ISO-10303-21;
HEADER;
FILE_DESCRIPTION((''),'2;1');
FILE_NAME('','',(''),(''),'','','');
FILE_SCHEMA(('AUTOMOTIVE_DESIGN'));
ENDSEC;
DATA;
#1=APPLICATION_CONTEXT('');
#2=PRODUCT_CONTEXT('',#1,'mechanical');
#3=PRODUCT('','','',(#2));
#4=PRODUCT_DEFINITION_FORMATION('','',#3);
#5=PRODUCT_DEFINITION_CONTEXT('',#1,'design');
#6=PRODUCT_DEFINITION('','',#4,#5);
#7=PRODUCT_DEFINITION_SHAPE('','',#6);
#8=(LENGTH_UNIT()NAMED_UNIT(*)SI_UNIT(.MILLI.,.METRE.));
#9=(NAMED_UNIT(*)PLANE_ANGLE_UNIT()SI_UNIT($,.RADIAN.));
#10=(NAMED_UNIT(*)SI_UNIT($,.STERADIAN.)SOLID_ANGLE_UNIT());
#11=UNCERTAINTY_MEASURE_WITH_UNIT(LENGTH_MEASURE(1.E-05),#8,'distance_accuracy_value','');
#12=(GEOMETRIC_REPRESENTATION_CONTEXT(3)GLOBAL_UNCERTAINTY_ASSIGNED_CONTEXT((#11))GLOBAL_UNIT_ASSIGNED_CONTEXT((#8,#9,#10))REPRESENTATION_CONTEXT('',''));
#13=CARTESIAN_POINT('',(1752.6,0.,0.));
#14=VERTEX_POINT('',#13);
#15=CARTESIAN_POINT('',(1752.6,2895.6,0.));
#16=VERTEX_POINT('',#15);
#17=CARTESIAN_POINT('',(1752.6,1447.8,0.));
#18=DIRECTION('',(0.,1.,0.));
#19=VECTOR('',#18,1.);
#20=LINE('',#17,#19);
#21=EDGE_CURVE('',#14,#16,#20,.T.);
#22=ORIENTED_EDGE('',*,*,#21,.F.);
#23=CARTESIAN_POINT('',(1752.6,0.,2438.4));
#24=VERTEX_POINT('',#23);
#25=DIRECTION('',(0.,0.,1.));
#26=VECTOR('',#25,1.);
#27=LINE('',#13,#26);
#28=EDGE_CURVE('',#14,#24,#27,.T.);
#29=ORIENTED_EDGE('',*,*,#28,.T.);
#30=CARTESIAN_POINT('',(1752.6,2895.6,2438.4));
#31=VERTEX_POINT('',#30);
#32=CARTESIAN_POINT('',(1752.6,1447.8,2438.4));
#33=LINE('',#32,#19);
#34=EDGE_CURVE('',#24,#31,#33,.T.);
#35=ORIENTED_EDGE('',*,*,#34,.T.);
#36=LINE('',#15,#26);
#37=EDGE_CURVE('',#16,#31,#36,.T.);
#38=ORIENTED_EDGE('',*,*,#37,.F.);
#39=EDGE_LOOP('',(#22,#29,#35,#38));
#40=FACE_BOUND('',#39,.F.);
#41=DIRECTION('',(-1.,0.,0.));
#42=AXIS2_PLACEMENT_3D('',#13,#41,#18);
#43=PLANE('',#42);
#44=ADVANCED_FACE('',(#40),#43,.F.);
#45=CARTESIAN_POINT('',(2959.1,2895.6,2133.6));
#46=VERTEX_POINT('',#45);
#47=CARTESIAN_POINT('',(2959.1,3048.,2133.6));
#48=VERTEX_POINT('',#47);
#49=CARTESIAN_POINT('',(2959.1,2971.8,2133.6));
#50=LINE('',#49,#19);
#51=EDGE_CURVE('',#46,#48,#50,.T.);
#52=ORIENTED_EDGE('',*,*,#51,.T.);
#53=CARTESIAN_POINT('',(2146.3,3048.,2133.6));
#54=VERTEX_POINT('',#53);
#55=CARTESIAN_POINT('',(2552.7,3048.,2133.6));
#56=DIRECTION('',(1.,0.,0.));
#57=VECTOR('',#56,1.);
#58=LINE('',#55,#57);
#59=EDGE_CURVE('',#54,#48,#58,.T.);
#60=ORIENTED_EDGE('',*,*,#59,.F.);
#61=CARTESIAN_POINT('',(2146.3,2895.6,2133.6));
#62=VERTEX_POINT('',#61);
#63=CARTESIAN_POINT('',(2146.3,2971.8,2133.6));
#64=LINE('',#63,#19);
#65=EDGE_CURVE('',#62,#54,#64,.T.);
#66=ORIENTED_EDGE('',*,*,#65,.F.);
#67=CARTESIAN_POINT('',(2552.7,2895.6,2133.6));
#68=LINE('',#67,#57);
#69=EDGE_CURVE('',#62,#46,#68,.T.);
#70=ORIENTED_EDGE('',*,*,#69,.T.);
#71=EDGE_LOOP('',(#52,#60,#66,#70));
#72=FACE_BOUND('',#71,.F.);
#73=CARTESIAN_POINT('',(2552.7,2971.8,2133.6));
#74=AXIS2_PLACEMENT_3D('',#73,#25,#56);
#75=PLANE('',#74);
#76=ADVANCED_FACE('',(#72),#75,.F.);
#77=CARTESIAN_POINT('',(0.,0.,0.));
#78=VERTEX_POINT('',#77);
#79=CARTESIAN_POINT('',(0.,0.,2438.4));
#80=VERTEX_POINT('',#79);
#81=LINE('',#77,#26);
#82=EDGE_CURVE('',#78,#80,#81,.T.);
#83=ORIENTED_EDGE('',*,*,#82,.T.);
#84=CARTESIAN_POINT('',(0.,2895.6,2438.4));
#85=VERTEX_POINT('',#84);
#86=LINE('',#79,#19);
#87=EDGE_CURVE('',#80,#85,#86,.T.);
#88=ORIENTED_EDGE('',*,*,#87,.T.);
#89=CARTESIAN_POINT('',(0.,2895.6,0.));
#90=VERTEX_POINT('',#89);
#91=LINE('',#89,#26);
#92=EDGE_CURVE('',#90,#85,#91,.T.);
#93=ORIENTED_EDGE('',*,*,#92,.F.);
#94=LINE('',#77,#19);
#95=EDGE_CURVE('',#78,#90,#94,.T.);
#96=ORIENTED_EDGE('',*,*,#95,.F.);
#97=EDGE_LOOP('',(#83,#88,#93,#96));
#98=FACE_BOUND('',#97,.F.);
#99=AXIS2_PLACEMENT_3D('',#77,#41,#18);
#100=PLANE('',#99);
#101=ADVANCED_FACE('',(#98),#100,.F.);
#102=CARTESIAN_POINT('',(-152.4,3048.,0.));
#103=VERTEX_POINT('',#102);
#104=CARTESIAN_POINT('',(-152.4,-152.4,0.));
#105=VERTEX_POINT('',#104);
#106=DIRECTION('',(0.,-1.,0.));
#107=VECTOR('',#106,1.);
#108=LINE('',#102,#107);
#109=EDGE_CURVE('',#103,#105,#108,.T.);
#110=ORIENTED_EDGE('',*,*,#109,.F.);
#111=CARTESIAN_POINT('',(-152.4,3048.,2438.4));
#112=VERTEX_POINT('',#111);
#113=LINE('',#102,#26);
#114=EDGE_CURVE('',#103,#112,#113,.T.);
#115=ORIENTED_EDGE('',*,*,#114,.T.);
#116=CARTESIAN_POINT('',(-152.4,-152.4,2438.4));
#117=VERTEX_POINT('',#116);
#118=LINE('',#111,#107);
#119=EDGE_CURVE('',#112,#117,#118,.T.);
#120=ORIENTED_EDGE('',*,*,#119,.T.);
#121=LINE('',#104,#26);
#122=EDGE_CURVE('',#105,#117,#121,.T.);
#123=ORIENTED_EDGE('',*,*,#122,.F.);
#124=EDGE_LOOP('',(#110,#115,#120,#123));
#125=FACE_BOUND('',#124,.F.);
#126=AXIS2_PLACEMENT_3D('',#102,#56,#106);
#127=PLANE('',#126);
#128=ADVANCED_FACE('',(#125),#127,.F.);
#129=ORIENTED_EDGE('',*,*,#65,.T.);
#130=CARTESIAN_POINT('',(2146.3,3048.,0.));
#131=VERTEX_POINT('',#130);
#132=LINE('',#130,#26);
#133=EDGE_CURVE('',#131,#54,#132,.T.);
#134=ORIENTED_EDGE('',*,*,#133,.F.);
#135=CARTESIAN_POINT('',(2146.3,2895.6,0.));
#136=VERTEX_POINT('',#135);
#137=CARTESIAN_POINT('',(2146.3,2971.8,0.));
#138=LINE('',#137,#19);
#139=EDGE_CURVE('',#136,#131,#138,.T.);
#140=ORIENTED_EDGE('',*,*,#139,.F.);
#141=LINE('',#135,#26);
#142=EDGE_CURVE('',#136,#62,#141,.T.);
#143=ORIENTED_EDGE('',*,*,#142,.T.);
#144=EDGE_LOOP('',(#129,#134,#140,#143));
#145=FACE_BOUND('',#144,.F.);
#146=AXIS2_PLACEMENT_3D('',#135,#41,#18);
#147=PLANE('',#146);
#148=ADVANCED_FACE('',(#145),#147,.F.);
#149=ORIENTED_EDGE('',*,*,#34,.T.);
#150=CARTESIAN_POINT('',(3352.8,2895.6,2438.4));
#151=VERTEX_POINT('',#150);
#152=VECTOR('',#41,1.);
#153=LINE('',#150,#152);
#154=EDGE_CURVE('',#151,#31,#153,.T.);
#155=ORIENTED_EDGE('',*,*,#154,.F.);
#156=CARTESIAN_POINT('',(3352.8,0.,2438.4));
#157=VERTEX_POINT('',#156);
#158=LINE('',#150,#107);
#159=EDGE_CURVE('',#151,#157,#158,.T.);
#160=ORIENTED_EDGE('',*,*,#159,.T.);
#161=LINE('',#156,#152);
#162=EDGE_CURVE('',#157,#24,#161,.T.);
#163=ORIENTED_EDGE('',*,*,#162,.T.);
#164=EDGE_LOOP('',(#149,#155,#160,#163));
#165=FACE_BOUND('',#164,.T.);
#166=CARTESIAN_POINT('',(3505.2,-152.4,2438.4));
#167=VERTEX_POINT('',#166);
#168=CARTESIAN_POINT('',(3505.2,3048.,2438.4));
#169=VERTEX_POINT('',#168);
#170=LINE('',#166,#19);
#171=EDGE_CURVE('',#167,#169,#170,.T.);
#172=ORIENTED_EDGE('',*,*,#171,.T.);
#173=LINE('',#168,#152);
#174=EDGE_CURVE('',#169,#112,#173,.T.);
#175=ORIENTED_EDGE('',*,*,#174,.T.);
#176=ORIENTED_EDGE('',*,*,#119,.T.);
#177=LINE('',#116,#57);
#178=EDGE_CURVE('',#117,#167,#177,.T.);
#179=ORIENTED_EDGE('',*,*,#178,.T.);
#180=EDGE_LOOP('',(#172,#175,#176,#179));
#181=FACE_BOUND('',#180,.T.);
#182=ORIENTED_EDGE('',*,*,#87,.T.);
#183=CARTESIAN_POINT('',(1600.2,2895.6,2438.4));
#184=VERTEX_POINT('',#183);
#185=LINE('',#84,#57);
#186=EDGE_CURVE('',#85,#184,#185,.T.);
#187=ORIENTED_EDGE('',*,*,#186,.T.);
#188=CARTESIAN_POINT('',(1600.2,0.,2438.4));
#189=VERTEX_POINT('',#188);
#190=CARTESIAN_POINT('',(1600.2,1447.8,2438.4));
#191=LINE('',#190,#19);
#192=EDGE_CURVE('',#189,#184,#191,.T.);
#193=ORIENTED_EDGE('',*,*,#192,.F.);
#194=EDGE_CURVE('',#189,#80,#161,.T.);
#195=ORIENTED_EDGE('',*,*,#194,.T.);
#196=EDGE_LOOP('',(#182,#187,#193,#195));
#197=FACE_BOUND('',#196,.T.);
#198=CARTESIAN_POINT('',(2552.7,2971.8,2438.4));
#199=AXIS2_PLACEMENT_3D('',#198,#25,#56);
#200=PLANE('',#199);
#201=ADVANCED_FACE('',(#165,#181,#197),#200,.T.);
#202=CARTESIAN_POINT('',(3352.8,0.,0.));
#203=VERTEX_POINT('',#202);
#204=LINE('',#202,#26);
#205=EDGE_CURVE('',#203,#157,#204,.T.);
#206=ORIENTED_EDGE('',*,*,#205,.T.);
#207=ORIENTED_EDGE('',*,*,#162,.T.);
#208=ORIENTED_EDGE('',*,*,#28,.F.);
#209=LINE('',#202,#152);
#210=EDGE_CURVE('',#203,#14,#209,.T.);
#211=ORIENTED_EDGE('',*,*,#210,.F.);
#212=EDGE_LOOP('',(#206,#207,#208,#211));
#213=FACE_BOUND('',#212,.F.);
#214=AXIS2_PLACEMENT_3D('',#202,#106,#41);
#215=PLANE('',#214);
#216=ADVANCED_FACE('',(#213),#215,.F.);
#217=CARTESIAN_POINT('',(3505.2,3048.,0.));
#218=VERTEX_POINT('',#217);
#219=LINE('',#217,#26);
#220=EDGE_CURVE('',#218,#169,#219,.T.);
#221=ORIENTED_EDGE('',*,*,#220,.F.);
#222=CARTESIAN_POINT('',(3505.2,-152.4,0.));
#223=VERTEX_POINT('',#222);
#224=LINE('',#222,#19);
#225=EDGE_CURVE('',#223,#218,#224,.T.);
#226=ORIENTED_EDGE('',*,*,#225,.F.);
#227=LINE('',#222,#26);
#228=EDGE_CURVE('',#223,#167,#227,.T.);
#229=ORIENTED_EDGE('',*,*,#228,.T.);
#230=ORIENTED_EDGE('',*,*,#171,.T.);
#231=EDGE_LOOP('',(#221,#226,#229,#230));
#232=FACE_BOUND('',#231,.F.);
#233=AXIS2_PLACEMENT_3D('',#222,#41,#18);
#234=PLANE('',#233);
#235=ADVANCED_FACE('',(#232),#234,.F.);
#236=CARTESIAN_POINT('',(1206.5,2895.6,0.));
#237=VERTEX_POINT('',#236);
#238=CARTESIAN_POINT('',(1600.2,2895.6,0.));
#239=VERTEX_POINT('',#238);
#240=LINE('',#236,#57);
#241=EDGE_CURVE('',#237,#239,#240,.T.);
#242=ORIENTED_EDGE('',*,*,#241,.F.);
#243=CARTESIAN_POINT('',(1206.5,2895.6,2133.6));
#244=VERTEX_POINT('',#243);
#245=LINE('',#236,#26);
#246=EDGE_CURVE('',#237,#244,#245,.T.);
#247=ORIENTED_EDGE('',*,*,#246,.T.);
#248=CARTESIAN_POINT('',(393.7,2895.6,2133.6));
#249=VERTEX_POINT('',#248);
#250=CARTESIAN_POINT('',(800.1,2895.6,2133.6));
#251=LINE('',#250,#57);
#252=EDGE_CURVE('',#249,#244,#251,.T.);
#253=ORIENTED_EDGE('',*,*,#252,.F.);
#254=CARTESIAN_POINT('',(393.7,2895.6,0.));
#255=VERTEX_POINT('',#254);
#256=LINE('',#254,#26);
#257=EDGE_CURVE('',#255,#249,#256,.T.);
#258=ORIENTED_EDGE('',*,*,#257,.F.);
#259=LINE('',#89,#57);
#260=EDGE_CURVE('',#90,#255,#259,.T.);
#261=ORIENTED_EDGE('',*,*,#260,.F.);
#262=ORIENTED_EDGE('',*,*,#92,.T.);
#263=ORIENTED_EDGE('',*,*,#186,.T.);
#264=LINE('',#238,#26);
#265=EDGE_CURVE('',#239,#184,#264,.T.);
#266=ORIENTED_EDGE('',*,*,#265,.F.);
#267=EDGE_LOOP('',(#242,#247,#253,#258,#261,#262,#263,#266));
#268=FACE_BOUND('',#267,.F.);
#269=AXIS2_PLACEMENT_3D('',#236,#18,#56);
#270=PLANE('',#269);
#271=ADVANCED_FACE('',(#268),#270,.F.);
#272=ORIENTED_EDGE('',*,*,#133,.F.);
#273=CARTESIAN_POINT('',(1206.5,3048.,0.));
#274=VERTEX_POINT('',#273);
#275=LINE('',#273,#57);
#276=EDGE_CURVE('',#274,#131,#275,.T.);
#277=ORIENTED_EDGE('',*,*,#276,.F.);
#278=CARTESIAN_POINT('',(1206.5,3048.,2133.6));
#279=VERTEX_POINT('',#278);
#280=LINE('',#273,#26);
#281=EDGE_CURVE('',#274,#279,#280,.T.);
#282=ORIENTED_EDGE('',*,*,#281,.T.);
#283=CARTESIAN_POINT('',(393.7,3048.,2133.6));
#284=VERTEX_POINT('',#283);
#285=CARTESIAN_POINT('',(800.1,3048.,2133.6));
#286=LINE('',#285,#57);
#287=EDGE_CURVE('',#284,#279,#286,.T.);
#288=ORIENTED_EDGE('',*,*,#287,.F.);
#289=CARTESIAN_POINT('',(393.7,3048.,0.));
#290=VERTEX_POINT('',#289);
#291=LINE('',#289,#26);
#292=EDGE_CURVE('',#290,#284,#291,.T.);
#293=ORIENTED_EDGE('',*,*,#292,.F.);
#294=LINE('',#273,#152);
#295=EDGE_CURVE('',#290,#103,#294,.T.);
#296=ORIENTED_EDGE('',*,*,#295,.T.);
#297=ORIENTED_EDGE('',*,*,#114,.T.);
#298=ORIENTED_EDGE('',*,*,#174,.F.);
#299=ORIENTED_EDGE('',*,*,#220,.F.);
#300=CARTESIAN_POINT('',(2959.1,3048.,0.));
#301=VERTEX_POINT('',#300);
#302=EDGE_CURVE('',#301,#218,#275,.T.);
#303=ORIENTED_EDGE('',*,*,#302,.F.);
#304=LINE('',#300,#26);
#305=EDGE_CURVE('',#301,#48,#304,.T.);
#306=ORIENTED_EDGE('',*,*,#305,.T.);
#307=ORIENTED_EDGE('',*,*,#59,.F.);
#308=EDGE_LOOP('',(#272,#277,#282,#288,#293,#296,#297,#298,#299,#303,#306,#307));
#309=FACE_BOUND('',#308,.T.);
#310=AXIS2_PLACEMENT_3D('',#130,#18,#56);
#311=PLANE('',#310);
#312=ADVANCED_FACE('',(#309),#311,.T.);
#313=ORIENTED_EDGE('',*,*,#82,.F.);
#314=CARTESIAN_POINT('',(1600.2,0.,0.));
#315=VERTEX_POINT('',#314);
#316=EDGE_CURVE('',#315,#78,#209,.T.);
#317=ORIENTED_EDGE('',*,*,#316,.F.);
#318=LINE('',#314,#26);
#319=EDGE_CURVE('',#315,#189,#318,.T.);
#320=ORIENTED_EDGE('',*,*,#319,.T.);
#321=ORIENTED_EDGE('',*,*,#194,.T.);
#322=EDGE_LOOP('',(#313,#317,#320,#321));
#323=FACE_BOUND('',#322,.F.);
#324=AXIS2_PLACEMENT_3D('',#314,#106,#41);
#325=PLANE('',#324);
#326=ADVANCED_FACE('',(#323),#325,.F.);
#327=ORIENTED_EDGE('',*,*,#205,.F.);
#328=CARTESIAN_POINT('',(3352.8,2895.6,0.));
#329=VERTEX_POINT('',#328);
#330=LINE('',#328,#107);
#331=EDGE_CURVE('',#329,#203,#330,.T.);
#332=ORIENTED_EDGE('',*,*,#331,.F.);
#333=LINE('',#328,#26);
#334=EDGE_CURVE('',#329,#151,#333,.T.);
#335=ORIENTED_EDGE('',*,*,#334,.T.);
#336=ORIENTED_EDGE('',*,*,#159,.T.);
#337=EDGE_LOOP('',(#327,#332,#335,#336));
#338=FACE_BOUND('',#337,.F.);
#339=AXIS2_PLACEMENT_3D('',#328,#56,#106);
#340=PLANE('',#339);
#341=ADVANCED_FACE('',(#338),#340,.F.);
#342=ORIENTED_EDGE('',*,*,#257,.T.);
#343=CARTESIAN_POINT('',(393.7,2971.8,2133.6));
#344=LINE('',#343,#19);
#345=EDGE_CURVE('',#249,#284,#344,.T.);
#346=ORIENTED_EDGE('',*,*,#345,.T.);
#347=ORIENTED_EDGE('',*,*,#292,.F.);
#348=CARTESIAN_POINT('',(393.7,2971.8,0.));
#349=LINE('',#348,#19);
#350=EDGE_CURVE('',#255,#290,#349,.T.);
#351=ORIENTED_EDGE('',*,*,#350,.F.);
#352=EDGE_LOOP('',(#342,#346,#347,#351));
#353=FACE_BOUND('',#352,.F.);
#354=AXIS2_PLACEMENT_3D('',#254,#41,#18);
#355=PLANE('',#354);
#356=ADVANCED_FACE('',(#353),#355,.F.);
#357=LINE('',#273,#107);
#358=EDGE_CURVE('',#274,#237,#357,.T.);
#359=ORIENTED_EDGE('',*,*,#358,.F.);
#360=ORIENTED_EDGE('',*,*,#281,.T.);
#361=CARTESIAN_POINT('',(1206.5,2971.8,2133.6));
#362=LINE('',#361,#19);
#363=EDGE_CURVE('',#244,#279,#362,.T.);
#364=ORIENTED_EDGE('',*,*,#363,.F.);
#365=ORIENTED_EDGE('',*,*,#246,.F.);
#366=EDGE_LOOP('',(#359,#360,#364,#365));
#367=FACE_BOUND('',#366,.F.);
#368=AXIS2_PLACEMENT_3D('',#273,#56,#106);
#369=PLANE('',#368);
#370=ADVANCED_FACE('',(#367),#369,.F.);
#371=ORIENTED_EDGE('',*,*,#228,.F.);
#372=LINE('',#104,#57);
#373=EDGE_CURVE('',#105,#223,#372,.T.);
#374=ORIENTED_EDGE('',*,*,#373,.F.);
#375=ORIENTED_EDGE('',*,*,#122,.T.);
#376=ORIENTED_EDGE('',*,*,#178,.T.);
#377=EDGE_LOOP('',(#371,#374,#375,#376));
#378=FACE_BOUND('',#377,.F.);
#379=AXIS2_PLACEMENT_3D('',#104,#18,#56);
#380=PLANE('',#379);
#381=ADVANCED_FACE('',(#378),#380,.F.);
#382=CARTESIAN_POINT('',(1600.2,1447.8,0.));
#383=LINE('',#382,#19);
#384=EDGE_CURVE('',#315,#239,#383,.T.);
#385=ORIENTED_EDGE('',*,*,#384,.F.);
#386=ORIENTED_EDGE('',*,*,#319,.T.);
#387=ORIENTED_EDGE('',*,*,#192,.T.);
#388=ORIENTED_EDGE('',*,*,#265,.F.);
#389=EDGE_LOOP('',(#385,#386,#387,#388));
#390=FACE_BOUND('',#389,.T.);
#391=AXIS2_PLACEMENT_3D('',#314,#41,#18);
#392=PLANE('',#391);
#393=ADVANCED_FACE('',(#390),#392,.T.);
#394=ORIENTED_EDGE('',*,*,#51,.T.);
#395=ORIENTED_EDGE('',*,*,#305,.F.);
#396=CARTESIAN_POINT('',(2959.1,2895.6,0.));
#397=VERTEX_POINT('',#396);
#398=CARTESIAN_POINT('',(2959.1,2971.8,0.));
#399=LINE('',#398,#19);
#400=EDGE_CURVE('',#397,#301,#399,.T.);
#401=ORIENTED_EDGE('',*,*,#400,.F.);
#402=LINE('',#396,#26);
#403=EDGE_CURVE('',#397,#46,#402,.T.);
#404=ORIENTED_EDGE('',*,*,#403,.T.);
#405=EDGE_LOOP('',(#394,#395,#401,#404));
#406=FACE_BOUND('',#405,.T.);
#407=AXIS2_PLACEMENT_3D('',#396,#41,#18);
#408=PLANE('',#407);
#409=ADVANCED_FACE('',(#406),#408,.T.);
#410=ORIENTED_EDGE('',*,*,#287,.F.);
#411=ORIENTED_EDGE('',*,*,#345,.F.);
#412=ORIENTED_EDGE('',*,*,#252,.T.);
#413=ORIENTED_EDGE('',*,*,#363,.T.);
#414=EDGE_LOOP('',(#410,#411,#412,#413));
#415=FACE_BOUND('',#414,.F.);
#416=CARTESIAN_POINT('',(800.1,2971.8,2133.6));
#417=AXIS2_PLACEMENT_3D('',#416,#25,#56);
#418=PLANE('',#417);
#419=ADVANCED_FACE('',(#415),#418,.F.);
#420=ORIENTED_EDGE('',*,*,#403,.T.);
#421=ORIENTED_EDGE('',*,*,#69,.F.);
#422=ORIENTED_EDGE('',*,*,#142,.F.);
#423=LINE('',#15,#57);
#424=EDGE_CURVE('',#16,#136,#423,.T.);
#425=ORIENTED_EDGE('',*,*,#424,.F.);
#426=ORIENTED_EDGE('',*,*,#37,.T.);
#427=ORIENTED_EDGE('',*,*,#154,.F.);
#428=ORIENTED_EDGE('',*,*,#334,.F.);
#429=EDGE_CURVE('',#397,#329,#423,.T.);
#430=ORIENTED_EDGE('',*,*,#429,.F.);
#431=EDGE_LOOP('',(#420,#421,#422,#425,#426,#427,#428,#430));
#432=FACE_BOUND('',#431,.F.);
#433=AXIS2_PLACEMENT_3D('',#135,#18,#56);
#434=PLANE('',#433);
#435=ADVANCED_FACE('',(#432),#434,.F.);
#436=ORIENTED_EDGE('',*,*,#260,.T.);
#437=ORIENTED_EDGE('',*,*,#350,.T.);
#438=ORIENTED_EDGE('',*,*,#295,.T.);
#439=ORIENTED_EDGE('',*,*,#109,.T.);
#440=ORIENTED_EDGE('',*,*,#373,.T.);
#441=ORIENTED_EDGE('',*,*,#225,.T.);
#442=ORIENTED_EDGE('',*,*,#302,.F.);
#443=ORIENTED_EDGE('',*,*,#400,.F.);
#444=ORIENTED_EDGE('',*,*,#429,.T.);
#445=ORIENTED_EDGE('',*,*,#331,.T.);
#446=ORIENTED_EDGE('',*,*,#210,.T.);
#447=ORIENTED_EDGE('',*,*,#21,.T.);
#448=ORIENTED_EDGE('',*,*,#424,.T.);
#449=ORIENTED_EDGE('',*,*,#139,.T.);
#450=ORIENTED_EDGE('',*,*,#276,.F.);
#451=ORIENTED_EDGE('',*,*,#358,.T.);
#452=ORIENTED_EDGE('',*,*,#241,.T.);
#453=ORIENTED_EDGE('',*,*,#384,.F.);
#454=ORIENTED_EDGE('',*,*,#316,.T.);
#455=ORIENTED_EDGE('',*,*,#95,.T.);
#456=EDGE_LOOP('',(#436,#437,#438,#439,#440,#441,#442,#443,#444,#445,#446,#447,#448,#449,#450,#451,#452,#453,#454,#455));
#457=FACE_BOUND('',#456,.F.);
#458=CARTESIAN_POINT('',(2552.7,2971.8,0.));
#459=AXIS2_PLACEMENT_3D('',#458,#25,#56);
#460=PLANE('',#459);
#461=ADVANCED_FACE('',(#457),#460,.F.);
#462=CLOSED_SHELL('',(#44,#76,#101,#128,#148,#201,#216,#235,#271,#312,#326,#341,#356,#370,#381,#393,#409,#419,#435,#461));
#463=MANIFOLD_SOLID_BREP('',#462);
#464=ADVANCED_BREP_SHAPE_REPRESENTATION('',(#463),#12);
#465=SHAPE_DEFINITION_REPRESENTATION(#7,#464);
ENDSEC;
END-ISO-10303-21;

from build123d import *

# Parameters (mm, degrees)
F0_W     = 152.4
F0_H     = 2895.6
F0_W_2   = 812.8
F0_H_2   = 152.4
F1_DEPTH = 2438.4
F2_DEPTH = 2133.6
F3_DEPTH = 2438.4
F4_DEPTH = 2438.4
F5_DEPTH = 2133.6


with BuildPart() as f1:
    # F0 (on Top) → F1 (new body)
    with BuildSketch(Plane.XY):
        Polygon((3352.8, 2895.6), (3352.8, 0), (1752.6, 0), (1600.2, 0), (0, 0), (0, 2895.6), (393.7, 2895.6), (393.7, 3048), (0, 3048), (-152.4, 3048), (-152.4, 2895.6), (-152.4, 0), (-152.4, -152.4), (0, -152.4), (3352.8, -152.4), (3505.2, -152.4), (3505.2, 0), (3505.2, 2895.6), (3505.2, 3048), (3352.8, 3048), (2959.1, 3048), (2959.1, 2895.6), align=None)
        with Locations((1676.4, 1447.8)):
            Rectangle(F0_W, F0_H)
        with Locations((800.1, 2971.8)):
            Rectangle(F0_W_2, F0_H_2)
    extrude(amount=F1_DEPTH)

    # F0 (on Top) → F2 (cut)
    with BuildSketch(Plane.XY):
        with Locations((800.1, 2971.8)):
            Rectangle(F0_W_2, F0_H_2)
    extrude(amount=F2_DEPTH, mode=Mode.SUBTRACT)

    # F0 (on Top) → F3 (join)
    with BuildSketch(Plane.XY):
        Polygon((1600.2, 2895.6), (1752.6, 2895.6), (2146.3, 2895.6), (2146.3, 3048), (1206.5, 3048), (1206.5, 2895.6), align=None)
    extrude(amount=F3_DEPTH)

    # F0 (on Top) → F4 (join)
    with BuildSketch(Plane.XY):
        with Locations((2552.7, 2971.8)):
            Rectangle(F0_W_2, F0_H_2)
    extrude(amount=F4_DEPTH)

    # F0 (on Top) → F5 (cut)
    with BuildSketch(Plane.XY):
        with Locations((2552.7, 2971.8)):
            Rectangle(F0_W_2, F0_H_2)
    extrude(amount=F5_DEPTH, mode=Mode.SUBTRACT)


solid = f1.part
